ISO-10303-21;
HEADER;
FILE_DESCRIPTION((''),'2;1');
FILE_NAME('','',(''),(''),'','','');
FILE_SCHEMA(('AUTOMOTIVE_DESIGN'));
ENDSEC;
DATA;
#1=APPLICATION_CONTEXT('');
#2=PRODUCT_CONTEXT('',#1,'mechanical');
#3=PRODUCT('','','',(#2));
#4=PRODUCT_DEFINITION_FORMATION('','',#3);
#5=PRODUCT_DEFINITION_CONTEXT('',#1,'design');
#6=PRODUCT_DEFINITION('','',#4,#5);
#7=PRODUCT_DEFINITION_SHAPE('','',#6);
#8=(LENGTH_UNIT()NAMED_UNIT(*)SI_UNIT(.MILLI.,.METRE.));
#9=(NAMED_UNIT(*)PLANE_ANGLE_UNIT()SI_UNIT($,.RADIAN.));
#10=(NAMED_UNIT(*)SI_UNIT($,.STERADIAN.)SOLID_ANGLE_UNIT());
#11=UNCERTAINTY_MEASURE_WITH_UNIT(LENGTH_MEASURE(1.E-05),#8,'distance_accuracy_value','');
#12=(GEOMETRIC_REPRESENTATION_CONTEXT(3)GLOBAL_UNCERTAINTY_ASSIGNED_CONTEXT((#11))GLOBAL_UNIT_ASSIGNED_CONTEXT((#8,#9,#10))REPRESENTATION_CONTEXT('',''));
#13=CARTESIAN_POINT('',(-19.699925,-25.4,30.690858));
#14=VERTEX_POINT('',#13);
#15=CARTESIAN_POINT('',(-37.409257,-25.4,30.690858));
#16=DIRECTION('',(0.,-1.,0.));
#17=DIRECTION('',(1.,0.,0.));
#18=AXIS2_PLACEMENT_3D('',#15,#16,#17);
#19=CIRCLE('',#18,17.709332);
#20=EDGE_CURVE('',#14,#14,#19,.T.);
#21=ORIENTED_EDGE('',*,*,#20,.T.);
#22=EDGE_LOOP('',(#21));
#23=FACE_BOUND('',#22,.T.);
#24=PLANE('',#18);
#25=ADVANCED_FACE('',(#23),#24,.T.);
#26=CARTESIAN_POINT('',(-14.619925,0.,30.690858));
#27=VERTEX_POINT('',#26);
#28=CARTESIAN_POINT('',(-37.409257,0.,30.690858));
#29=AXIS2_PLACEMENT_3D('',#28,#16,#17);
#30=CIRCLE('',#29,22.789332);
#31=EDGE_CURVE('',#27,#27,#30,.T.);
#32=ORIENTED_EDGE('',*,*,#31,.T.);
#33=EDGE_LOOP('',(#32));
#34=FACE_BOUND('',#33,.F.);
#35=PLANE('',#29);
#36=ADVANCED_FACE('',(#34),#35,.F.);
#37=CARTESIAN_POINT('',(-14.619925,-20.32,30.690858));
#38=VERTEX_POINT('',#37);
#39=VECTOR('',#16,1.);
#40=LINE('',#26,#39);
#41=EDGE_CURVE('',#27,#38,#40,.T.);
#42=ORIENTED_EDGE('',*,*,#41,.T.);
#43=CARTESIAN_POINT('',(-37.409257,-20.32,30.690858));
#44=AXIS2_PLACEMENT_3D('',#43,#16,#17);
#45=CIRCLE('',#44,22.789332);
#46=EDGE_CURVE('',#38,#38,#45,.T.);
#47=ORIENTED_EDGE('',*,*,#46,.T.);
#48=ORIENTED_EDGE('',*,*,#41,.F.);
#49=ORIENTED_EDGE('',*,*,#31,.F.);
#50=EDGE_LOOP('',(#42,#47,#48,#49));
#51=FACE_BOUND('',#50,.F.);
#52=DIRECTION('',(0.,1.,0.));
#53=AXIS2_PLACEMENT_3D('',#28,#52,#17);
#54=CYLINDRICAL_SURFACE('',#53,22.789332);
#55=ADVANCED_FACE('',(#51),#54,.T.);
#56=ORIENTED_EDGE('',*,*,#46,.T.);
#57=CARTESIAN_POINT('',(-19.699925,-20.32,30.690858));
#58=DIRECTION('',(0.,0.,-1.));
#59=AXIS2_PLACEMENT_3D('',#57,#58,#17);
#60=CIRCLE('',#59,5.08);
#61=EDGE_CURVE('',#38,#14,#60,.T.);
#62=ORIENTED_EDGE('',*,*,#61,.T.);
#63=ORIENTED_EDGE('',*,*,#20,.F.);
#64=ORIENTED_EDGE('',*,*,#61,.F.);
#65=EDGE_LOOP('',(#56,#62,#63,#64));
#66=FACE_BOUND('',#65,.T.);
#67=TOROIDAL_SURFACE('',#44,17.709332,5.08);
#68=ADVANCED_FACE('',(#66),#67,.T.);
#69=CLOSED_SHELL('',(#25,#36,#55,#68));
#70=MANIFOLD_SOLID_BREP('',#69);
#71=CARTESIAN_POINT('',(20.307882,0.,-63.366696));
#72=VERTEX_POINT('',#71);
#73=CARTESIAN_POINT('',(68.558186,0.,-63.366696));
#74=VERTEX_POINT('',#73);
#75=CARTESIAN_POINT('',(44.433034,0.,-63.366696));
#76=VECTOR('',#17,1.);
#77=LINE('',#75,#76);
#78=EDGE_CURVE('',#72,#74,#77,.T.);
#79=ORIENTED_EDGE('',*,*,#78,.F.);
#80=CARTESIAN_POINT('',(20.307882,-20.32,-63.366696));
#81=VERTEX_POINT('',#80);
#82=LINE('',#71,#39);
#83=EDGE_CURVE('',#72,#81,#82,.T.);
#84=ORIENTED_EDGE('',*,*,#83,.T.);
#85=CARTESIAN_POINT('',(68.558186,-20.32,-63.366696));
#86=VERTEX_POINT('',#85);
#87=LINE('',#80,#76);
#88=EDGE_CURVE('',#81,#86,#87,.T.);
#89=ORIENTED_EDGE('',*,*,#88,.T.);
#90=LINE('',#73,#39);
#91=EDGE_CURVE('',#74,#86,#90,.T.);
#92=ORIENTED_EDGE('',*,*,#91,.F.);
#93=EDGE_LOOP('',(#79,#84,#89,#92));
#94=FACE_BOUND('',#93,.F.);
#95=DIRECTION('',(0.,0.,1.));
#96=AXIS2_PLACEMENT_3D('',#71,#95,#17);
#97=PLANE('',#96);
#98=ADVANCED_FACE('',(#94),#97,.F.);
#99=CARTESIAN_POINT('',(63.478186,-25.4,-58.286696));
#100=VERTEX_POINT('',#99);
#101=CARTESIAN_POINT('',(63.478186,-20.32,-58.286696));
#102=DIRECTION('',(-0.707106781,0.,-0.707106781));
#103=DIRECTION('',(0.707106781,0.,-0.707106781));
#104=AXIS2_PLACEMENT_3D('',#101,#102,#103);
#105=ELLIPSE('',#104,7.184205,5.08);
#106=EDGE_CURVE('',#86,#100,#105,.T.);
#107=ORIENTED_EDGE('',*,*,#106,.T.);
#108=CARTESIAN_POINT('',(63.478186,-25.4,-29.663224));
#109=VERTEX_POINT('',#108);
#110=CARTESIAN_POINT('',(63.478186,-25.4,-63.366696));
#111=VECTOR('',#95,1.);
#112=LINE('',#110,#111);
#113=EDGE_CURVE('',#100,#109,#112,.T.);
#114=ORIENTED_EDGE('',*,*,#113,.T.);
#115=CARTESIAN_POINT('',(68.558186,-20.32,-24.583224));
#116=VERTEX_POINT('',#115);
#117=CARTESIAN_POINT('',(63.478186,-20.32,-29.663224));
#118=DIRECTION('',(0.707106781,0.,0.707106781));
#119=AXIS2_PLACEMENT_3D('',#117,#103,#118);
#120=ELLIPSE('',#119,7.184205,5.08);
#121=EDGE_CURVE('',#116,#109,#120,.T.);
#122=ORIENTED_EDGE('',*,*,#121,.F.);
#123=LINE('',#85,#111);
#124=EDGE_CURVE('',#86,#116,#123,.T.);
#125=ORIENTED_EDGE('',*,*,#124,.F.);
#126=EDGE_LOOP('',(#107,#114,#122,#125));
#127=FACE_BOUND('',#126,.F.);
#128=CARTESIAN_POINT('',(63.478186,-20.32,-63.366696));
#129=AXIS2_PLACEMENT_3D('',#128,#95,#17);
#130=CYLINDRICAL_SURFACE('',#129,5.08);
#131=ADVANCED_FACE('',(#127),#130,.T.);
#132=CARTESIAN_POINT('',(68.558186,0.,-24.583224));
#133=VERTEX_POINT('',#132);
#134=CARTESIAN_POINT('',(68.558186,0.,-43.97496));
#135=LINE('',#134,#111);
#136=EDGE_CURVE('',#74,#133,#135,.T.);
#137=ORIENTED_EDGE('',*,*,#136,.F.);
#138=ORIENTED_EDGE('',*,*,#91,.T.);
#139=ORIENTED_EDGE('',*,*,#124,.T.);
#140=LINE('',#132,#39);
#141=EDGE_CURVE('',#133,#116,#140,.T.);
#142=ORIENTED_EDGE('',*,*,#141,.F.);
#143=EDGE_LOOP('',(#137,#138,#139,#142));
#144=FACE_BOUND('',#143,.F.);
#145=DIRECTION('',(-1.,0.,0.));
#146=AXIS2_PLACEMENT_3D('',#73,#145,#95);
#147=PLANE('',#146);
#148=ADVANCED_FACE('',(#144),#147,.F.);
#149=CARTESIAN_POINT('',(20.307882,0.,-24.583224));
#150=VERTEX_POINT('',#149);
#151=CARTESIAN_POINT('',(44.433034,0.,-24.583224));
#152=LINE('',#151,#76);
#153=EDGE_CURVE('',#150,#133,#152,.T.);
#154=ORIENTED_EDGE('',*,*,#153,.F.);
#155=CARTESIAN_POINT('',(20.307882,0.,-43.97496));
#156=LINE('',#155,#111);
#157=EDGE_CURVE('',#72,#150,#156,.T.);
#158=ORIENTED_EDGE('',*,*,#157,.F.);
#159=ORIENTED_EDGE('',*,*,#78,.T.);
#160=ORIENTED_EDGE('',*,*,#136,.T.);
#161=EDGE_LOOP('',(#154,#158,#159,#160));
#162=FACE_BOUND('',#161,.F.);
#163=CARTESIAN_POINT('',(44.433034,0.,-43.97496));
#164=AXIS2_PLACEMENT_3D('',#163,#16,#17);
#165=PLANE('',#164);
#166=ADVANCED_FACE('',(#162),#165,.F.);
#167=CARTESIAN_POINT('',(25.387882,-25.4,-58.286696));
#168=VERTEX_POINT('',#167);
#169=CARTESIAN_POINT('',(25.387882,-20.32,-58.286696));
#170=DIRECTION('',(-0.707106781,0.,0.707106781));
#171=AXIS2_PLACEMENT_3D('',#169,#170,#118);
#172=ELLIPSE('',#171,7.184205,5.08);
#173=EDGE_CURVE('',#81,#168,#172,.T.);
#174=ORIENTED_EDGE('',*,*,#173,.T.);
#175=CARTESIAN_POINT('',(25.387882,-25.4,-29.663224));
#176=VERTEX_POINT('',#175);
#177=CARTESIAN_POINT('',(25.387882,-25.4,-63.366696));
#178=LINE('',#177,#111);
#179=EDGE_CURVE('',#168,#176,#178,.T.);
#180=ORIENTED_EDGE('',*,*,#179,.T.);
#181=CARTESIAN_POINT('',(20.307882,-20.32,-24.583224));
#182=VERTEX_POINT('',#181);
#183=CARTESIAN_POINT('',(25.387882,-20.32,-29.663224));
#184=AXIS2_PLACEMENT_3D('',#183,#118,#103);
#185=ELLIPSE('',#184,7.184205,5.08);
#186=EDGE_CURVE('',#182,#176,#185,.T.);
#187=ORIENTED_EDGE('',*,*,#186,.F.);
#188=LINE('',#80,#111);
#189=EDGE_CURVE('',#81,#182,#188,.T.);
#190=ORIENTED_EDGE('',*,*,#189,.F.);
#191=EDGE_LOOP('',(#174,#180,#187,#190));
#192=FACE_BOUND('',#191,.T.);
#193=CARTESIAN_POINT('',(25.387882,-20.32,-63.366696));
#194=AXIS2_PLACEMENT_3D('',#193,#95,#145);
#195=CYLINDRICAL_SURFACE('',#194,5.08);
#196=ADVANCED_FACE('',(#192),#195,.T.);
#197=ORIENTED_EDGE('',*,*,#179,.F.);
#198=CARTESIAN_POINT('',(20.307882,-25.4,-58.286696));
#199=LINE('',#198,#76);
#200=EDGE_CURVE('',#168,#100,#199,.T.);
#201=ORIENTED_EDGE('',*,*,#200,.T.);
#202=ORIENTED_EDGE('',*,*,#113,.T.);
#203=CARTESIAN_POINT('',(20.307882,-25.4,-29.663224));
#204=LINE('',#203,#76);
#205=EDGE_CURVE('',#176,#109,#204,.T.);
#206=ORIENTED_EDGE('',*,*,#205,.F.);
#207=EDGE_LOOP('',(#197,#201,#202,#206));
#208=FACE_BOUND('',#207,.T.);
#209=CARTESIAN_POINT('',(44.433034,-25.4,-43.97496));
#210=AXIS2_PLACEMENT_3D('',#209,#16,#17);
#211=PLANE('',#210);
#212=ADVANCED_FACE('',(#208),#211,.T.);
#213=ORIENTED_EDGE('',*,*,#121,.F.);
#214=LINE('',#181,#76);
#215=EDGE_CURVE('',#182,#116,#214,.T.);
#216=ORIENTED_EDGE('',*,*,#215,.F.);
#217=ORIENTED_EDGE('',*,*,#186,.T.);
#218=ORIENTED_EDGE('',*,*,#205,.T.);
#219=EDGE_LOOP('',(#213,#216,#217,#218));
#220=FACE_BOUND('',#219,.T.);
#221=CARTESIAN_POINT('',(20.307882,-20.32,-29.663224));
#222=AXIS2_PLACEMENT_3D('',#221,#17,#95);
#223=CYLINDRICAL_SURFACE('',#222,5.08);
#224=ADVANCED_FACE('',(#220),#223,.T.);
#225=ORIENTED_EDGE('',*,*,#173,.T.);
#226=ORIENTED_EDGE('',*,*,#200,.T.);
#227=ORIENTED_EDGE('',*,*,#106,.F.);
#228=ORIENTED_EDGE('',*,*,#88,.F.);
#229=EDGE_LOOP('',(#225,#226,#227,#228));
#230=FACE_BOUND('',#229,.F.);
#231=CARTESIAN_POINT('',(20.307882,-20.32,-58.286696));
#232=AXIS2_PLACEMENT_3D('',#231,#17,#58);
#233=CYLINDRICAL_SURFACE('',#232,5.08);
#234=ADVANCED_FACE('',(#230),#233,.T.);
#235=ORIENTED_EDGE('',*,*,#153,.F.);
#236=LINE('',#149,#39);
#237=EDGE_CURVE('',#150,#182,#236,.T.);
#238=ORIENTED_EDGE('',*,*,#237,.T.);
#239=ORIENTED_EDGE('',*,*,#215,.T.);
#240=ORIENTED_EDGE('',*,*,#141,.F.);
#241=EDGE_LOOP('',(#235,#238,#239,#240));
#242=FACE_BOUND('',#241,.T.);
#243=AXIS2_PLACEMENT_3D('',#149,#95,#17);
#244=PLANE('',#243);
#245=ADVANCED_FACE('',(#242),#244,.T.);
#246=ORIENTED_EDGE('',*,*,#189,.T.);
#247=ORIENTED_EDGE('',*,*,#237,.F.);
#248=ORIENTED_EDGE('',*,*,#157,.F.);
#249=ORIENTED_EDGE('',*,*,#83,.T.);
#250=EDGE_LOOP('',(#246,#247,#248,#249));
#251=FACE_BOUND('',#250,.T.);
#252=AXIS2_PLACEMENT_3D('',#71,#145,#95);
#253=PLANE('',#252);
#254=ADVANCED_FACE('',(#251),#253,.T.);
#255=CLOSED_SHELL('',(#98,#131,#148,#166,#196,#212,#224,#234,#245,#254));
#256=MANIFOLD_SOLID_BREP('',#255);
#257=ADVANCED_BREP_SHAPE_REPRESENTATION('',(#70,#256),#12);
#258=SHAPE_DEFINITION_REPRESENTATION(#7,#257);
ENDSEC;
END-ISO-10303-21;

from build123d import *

# Parameters (mm, degrees)
F0_R     = 22.789332
F0_W     = 48.250304
F0_H     = 38.783472
F1_DEPTH = 25.4
F2_R     = 5.08


with BuildPart() as f1:
    # F0 (on Front) → F1 (new body)
    with BuildSketch(Plane.XZ):
        with Locations((-37.409257, 30.690858)):
            Circle(F0_R)
        with Locations((44.433034, -43.97496)):
            Rectangle(F0_W, F0_H)
    extrude(amount=F1_DEPTH)

    # F2
    f2_edges = [f1.edges().sort_by_distance(p)[0] for p in [
        (-60.19859, -25.4, 30.690858),
        (44.433034, -25.4, -24.583224),
        (20.307882, -25.4, -43.97496),
        (44.433034, -25.4, -63.366696),
        (68.558186, -25.4, -43.97496),
    ]]
    fillet(f2_edges, radius=F2_R)


solid = f1.part
